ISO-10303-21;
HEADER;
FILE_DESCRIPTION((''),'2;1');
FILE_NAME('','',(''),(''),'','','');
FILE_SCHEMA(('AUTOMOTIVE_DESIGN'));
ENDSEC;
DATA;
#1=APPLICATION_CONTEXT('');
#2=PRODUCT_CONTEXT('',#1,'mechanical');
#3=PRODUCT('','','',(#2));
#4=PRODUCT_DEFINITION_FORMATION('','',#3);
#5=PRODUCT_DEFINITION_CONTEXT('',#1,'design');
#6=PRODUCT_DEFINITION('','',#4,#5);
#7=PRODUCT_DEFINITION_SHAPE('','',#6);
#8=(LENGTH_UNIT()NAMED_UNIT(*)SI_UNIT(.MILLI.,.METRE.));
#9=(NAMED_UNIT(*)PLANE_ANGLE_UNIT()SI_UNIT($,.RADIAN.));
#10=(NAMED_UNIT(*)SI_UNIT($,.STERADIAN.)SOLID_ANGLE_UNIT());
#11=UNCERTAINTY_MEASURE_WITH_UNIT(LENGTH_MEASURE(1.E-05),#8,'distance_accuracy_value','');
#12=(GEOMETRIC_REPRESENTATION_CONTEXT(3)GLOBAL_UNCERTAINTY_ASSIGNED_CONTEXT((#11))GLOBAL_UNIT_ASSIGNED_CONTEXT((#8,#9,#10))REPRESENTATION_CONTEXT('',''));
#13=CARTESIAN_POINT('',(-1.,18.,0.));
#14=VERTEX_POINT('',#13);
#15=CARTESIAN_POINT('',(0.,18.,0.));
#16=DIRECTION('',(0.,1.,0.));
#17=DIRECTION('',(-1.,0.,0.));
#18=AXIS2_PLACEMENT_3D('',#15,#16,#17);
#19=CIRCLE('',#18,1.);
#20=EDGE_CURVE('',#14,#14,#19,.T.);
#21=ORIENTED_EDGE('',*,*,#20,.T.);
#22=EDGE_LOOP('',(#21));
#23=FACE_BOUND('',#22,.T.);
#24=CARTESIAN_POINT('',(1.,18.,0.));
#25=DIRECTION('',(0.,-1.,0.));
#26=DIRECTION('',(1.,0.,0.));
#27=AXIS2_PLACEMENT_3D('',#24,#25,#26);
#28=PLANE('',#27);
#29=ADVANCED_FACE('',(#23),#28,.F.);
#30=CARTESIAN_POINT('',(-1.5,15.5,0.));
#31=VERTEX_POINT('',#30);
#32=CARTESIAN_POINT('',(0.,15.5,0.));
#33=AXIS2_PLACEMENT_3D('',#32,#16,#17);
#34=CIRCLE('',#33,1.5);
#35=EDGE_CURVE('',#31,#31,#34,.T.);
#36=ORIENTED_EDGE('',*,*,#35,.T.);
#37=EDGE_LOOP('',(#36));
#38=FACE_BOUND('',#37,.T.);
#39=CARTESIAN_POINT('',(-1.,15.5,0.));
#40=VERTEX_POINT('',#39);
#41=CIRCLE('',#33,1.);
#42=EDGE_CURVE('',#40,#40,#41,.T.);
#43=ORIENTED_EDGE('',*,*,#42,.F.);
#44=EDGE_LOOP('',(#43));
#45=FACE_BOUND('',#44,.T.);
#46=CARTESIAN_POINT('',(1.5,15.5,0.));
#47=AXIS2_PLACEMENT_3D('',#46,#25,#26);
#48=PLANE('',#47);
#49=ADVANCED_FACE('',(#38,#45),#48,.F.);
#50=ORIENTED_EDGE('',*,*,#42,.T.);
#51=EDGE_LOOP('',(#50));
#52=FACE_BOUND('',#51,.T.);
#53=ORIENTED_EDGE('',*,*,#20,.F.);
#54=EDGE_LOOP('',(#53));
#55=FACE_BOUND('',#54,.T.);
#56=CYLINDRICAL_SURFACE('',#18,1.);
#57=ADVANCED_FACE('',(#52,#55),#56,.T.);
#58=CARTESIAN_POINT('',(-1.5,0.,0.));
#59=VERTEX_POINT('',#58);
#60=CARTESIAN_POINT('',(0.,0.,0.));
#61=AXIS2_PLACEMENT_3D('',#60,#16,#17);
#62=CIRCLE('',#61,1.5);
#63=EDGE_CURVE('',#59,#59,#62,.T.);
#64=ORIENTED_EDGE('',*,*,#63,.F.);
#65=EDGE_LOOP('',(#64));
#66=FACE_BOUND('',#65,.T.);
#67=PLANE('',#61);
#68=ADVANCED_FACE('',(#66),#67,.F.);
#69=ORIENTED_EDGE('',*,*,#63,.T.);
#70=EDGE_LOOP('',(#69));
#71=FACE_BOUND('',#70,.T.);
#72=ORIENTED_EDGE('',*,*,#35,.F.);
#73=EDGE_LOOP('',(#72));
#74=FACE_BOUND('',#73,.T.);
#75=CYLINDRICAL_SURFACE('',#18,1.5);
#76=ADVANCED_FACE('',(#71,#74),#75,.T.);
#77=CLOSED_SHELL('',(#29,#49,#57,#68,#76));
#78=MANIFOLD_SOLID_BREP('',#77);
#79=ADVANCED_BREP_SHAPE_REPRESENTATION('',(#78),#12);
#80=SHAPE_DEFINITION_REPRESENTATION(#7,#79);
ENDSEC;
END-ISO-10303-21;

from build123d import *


with BuildPart() as part:
    # Sketch1 → Revolve1 (revolve)
    with BuildSketch(Plane.XY):
        Polygon((0, 0), (1.5, 0), (1.5, 15.5), (1, 15.5), (1, 18), (0, 18), align=None)
    revolve(axis=Axis((0, 18, 0), (0, -1, 0)))


solid = part.part
